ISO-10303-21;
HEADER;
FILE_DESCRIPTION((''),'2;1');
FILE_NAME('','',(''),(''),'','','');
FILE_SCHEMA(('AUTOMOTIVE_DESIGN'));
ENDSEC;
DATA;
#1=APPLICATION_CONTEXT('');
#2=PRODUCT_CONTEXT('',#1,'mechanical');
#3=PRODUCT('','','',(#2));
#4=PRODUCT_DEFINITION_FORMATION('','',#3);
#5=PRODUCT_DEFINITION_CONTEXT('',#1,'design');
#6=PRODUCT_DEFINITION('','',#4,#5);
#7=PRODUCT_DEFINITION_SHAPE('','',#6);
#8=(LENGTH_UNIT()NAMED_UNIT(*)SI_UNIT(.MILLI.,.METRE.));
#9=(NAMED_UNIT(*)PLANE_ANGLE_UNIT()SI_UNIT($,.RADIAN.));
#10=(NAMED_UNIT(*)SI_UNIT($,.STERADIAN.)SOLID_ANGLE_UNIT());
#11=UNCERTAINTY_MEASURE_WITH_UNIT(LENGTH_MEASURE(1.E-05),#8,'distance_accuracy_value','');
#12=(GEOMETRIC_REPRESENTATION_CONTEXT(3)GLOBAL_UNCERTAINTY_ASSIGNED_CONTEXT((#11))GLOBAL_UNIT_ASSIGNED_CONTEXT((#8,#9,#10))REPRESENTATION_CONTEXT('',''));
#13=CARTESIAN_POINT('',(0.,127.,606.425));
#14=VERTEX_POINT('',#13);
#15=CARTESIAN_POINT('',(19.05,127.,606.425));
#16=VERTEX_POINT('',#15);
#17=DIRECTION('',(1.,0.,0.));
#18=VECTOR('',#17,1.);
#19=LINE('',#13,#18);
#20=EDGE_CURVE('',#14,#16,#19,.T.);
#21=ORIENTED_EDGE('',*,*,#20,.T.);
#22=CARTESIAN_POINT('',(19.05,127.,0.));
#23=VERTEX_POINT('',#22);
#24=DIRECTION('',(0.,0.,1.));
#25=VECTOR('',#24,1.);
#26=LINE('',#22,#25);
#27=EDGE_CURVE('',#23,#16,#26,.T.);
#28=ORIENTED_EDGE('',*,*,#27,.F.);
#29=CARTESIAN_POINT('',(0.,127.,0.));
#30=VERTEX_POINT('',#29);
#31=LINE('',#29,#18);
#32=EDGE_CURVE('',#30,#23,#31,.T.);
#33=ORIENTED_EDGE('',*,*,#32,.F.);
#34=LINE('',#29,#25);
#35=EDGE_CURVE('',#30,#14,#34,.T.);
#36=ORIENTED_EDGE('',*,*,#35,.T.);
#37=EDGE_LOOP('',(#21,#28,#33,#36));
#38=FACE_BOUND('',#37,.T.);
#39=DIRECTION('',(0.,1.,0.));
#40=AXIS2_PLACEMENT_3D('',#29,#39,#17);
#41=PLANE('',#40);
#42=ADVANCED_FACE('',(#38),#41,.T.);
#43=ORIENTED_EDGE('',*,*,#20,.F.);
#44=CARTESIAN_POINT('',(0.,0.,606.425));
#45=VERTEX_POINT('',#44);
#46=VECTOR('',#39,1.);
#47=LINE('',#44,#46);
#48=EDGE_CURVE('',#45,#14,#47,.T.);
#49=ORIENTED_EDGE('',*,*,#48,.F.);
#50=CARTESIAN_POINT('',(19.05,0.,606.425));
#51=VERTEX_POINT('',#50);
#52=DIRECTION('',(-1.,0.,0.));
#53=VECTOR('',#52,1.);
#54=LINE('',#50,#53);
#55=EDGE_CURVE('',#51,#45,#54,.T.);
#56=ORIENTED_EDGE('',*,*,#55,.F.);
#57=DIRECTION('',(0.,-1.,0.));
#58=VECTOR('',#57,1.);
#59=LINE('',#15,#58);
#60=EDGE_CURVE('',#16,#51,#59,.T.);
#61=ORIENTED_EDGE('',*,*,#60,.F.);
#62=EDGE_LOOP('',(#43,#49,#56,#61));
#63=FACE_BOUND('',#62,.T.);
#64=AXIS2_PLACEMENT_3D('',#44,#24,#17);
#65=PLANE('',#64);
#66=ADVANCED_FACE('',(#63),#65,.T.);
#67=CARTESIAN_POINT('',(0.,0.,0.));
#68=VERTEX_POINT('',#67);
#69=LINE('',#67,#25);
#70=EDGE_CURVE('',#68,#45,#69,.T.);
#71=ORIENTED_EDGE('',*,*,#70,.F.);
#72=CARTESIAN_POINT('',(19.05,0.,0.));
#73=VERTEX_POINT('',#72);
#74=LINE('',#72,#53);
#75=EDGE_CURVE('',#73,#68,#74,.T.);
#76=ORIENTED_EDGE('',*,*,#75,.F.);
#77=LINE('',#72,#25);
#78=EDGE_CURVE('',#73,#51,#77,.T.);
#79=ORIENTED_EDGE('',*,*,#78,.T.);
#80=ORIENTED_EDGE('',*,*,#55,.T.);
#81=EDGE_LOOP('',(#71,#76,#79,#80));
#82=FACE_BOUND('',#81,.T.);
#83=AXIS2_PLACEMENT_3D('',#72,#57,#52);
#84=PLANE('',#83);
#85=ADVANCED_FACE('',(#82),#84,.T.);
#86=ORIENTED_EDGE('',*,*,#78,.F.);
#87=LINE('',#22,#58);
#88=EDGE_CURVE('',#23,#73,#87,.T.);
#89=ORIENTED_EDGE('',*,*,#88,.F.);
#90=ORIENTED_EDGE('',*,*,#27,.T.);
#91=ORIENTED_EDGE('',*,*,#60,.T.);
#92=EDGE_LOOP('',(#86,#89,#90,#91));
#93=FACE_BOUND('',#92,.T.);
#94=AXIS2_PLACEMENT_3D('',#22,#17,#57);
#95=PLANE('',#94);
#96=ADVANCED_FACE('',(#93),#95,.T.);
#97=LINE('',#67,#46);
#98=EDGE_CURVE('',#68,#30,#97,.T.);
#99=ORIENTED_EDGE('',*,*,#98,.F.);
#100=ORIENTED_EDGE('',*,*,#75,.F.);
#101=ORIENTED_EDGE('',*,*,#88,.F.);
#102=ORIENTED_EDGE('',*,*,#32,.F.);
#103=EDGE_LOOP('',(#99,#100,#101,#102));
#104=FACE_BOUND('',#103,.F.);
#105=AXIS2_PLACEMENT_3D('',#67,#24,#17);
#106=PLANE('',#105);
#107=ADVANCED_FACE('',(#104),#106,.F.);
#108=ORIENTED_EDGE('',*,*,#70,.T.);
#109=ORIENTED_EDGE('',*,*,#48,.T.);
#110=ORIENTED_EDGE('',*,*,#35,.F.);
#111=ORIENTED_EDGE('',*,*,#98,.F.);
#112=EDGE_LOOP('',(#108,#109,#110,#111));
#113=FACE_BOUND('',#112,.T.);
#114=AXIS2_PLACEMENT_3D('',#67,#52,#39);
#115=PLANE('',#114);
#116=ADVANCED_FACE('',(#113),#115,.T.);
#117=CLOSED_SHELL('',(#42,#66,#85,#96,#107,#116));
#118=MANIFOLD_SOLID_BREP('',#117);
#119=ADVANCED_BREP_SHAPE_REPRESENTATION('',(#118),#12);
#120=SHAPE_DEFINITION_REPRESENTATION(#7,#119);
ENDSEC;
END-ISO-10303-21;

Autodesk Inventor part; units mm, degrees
ref_plane "YZ Plane" through (0, 0, 0) normal (1, 0, 0) x (0, 1, 0)
ref_plane "XZ Plane" through (0, 0, 0) normal (0, 1, 0) x (-1, 0, 0)
ref_plane "XY Plane" through (0, 0, 0) normal (0, 0, 1) x (1, 0, 0)
sketch "Sketch1" plane through (0, 0, 0) normal (0, 0, 1) x (1, 0, 0)
  line L0 (0, 0) -> (0, 127)
  line L1 (0, 127) -> (19.05, 127)
  line L2 (19.05, 127) -> (19.05, 0)
  line L3 (19.05, 0) -> (0, 0)
  dimension "d0" = 127
  dimension "d1" = 19.05
extrude "Extrusion1" add sketch "Sketch1" along normal blind 606.425
properties part number "Bumper Wood Backing Part1 (24x28 robot)" material "Wood (Birch)"
